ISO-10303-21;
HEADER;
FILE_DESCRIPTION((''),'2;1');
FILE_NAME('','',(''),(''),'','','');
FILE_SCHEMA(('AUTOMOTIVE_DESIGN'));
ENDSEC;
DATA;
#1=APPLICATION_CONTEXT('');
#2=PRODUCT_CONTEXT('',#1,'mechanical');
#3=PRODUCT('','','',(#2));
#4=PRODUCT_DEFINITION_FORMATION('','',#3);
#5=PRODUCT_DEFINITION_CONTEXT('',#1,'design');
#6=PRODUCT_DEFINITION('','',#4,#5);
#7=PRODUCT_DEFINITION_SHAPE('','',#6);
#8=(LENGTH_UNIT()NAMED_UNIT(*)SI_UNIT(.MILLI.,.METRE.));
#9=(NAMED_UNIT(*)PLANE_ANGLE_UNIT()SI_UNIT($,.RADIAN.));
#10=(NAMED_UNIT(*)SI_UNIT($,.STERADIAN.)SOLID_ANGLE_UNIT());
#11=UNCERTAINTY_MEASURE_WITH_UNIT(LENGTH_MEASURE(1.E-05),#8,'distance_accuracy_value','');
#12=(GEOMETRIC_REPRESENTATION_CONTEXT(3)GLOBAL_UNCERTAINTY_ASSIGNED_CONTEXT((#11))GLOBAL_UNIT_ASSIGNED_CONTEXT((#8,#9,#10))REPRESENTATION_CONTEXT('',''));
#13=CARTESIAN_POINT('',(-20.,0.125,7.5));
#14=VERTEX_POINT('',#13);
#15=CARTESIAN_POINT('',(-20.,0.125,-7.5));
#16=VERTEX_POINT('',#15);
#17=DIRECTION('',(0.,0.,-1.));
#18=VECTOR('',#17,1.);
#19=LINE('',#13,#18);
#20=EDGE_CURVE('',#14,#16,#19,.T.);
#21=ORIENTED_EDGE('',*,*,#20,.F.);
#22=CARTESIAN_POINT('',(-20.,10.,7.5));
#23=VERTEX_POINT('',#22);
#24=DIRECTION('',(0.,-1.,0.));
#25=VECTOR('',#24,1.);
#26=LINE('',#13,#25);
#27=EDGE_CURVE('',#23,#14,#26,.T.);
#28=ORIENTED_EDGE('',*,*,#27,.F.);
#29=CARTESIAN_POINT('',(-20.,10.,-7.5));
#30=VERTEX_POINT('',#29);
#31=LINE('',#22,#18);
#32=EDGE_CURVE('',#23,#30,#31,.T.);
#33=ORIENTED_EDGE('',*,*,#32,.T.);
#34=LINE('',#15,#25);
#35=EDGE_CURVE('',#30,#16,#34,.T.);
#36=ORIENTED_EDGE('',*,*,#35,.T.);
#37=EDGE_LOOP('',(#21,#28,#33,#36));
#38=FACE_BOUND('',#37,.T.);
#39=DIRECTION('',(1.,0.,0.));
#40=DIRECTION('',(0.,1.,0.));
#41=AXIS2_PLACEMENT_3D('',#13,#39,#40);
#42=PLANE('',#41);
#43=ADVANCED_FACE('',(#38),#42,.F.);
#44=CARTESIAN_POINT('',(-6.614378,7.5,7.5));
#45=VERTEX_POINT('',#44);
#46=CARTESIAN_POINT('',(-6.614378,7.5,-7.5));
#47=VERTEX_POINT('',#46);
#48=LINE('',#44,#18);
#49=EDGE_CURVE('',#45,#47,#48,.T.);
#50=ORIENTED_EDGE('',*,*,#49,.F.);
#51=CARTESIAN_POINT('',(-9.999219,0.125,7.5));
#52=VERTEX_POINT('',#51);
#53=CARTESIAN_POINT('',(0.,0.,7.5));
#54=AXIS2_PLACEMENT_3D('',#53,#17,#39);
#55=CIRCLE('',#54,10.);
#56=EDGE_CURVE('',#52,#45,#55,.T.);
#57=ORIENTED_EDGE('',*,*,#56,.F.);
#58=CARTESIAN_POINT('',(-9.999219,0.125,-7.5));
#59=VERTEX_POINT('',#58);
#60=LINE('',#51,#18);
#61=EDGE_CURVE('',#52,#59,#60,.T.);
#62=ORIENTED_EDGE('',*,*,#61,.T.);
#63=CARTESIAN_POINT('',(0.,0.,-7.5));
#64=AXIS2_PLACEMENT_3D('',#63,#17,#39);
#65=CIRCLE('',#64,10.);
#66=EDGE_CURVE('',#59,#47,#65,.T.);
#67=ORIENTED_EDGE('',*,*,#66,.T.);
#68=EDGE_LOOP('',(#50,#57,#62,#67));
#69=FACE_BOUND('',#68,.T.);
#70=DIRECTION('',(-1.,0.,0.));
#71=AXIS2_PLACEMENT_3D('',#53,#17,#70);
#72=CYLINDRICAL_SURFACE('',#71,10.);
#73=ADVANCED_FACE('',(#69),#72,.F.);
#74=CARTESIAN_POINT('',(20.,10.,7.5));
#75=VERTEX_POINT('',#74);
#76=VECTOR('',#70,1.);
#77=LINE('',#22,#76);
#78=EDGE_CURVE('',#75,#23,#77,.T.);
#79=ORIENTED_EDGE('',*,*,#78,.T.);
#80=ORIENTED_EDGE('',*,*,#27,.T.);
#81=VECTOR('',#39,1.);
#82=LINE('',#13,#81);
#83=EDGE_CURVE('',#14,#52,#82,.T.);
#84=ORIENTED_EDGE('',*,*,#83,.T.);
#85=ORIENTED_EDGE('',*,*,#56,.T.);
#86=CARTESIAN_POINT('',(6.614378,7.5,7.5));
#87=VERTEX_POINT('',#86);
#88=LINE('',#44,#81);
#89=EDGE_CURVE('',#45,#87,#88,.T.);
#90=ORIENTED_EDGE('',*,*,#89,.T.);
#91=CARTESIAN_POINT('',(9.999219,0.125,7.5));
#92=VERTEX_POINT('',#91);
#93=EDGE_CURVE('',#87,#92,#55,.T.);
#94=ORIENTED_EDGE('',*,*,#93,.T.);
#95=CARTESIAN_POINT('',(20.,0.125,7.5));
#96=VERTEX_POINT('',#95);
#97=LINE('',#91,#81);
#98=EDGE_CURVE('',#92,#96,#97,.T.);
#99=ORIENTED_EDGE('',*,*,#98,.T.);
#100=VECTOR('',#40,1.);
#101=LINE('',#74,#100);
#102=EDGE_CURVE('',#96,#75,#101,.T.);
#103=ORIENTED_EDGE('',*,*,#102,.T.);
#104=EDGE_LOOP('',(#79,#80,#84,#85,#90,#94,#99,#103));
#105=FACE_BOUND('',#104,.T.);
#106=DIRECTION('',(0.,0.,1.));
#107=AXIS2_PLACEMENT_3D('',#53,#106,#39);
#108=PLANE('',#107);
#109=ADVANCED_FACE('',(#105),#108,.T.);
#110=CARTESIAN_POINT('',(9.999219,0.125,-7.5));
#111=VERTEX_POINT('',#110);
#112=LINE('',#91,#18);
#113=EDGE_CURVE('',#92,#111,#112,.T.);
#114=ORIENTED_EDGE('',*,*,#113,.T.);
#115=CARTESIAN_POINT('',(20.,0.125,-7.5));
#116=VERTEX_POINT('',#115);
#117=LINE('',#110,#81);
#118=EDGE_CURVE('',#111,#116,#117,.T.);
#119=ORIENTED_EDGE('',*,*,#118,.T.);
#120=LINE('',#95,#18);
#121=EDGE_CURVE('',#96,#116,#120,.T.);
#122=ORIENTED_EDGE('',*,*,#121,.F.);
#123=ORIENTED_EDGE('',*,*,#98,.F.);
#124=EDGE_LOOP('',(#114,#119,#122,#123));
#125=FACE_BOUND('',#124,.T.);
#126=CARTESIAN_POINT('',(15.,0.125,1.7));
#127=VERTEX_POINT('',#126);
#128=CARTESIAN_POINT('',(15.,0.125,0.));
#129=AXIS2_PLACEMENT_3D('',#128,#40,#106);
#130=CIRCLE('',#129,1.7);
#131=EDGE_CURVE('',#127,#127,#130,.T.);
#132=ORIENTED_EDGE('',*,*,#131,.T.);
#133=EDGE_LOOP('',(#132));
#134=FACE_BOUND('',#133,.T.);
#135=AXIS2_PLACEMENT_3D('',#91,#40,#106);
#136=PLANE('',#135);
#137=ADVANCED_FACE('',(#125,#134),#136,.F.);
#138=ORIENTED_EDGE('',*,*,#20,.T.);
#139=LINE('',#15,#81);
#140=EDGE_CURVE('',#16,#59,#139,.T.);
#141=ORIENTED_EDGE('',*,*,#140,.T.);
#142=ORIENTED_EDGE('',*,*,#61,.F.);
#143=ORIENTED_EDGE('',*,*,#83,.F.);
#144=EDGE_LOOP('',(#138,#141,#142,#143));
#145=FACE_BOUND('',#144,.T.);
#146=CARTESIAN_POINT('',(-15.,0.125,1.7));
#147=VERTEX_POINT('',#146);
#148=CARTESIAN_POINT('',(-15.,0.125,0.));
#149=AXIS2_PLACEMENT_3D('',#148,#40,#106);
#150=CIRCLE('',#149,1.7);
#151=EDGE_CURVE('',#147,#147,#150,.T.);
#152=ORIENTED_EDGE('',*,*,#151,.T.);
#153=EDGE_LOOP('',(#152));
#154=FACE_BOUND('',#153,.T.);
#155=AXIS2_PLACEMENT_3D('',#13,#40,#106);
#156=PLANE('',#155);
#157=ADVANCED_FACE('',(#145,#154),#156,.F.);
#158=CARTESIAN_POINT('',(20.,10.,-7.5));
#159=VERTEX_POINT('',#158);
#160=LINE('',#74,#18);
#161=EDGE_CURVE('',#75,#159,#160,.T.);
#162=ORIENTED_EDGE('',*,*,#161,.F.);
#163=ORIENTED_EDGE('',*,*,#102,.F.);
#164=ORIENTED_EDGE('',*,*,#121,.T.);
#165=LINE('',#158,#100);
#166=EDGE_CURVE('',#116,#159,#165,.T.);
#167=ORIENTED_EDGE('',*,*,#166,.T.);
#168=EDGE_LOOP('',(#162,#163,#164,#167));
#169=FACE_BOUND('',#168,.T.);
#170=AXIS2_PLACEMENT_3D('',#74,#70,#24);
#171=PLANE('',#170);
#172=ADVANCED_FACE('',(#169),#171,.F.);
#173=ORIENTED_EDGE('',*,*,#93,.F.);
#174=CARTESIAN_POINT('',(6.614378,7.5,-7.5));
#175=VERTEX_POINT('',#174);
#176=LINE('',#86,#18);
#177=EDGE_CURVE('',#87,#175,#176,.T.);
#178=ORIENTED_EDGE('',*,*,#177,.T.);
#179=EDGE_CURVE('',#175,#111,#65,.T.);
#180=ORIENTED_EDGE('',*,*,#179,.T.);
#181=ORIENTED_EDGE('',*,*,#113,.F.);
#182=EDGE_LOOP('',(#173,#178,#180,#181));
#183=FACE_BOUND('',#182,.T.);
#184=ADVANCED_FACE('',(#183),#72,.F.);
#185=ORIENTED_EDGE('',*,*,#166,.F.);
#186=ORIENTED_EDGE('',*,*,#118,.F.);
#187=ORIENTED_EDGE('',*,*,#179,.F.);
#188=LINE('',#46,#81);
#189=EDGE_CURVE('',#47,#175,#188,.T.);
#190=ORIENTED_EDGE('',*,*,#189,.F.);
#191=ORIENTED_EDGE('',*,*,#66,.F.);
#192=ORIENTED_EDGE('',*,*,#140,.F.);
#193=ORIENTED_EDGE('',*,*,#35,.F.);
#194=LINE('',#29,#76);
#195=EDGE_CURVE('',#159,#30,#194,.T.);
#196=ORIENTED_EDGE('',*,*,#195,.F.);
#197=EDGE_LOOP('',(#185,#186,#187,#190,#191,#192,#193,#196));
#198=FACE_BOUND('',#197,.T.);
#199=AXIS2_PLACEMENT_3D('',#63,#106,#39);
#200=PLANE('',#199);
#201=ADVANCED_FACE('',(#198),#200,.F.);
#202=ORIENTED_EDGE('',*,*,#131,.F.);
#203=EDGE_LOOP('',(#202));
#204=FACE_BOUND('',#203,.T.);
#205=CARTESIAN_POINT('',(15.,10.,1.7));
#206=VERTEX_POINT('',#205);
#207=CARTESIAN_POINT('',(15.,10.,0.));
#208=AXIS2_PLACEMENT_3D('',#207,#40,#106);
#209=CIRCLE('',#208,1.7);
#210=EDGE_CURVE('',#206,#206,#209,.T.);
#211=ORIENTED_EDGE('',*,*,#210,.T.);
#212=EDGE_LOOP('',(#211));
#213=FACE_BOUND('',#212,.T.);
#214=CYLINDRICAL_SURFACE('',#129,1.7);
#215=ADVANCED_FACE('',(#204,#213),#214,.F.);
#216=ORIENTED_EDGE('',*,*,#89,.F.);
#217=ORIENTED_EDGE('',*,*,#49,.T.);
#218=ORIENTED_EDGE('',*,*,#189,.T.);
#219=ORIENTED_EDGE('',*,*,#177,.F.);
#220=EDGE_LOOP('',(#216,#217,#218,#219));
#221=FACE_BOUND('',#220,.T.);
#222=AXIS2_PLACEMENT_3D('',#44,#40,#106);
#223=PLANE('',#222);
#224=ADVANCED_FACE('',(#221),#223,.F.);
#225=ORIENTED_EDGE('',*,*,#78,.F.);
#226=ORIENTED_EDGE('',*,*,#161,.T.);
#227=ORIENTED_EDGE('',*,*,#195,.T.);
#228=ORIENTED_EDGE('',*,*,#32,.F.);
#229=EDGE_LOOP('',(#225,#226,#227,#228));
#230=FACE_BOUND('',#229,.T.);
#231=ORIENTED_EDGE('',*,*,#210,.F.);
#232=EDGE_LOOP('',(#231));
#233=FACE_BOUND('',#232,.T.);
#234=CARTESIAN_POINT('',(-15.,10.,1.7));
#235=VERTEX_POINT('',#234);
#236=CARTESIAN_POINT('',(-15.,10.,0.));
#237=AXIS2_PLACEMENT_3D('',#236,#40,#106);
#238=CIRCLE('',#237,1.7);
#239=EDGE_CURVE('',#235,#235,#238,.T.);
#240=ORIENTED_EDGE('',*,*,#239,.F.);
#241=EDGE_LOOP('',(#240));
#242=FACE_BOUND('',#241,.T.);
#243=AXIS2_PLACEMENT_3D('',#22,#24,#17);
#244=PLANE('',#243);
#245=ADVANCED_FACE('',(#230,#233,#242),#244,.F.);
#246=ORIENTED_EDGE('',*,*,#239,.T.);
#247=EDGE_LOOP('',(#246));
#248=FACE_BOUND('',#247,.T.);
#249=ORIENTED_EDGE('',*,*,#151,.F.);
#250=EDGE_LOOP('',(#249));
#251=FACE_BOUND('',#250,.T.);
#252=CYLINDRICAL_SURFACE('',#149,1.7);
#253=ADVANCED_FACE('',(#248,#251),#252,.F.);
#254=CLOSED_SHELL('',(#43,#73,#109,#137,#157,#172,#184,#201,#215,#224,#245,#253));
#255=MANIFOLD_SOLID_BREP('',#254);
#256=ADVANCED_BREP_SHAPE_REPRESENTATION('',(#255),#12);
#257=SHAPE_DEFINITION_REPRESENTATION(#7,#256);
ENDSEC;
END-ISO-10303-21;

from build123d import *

# Parameters (mm, degrees)
MOTOR_CLAMP_OUTLINE_SOLID_DEPTH     = 7.5
MOTOR_CLAMP_MOUNTING_HOLES_SKETCH_R = 1.7
MOTOR_CLAMP_MOUNTING_HOLE_CUT_DEPTH = 24.532225245


with BuildPart() as part:
    # Motor Clamp Outline Sketch → Motor Clamp Outline Solid (new, symmetric)
    with BuildSketch(Plane.XY):
        with BuildLine():
            Line((-20, 0.125), (-9.999218719, 0.125))
            ThreePointArc((-9.999218719, 0.125), (-9.088484887, 4.171263892), (-6.614378278, 7.5))
            Line((-6.614378278, 7.5), (6.614378278, 7.5))
            ThreePointArc((6.614378278, 7.5), (9.088484887, 4.171263892), (9.999218719, 0.125))
            Line((9.999218719, 0.125), (20, 0.125))
            Line((20, 0.125), (20, 10))
            Line((20, 10), (-20, 10))
            Line((-20, 10), (-20, 0.125))
        make_face()
    extrude(amount=MOTOR_CLAMP_OUTLINE_SOLID_DEPTH, both=True)

    # Motor Clamp Mounting Holes Sketch → Motor Clamp Mounting Hole Cut (cut, through all)
    with BuildSketch(Plane(origin=(0, 10, 0), x_dir=(1, 0, 0), z_dir=(0, 1, 0))):
        with Locations(Location((-15, 0, 0), (0, 0, 270))):
            Circle(MOTOR_CLAMP_MOUNTING_HOLES_SKETCH_R)
        with Locations(Location((15, 0, 0), (0, 0, 270))):
            Circle(MOTOR_CLAMP_MOUNTING_HOLES_SKETCH_R)
    extrude(amount=-MOTOR_CLAMP_MOUNTING_HOLE_CUT_DEPTH, mode=Mode.SUBTRACT)


solid = part.part
